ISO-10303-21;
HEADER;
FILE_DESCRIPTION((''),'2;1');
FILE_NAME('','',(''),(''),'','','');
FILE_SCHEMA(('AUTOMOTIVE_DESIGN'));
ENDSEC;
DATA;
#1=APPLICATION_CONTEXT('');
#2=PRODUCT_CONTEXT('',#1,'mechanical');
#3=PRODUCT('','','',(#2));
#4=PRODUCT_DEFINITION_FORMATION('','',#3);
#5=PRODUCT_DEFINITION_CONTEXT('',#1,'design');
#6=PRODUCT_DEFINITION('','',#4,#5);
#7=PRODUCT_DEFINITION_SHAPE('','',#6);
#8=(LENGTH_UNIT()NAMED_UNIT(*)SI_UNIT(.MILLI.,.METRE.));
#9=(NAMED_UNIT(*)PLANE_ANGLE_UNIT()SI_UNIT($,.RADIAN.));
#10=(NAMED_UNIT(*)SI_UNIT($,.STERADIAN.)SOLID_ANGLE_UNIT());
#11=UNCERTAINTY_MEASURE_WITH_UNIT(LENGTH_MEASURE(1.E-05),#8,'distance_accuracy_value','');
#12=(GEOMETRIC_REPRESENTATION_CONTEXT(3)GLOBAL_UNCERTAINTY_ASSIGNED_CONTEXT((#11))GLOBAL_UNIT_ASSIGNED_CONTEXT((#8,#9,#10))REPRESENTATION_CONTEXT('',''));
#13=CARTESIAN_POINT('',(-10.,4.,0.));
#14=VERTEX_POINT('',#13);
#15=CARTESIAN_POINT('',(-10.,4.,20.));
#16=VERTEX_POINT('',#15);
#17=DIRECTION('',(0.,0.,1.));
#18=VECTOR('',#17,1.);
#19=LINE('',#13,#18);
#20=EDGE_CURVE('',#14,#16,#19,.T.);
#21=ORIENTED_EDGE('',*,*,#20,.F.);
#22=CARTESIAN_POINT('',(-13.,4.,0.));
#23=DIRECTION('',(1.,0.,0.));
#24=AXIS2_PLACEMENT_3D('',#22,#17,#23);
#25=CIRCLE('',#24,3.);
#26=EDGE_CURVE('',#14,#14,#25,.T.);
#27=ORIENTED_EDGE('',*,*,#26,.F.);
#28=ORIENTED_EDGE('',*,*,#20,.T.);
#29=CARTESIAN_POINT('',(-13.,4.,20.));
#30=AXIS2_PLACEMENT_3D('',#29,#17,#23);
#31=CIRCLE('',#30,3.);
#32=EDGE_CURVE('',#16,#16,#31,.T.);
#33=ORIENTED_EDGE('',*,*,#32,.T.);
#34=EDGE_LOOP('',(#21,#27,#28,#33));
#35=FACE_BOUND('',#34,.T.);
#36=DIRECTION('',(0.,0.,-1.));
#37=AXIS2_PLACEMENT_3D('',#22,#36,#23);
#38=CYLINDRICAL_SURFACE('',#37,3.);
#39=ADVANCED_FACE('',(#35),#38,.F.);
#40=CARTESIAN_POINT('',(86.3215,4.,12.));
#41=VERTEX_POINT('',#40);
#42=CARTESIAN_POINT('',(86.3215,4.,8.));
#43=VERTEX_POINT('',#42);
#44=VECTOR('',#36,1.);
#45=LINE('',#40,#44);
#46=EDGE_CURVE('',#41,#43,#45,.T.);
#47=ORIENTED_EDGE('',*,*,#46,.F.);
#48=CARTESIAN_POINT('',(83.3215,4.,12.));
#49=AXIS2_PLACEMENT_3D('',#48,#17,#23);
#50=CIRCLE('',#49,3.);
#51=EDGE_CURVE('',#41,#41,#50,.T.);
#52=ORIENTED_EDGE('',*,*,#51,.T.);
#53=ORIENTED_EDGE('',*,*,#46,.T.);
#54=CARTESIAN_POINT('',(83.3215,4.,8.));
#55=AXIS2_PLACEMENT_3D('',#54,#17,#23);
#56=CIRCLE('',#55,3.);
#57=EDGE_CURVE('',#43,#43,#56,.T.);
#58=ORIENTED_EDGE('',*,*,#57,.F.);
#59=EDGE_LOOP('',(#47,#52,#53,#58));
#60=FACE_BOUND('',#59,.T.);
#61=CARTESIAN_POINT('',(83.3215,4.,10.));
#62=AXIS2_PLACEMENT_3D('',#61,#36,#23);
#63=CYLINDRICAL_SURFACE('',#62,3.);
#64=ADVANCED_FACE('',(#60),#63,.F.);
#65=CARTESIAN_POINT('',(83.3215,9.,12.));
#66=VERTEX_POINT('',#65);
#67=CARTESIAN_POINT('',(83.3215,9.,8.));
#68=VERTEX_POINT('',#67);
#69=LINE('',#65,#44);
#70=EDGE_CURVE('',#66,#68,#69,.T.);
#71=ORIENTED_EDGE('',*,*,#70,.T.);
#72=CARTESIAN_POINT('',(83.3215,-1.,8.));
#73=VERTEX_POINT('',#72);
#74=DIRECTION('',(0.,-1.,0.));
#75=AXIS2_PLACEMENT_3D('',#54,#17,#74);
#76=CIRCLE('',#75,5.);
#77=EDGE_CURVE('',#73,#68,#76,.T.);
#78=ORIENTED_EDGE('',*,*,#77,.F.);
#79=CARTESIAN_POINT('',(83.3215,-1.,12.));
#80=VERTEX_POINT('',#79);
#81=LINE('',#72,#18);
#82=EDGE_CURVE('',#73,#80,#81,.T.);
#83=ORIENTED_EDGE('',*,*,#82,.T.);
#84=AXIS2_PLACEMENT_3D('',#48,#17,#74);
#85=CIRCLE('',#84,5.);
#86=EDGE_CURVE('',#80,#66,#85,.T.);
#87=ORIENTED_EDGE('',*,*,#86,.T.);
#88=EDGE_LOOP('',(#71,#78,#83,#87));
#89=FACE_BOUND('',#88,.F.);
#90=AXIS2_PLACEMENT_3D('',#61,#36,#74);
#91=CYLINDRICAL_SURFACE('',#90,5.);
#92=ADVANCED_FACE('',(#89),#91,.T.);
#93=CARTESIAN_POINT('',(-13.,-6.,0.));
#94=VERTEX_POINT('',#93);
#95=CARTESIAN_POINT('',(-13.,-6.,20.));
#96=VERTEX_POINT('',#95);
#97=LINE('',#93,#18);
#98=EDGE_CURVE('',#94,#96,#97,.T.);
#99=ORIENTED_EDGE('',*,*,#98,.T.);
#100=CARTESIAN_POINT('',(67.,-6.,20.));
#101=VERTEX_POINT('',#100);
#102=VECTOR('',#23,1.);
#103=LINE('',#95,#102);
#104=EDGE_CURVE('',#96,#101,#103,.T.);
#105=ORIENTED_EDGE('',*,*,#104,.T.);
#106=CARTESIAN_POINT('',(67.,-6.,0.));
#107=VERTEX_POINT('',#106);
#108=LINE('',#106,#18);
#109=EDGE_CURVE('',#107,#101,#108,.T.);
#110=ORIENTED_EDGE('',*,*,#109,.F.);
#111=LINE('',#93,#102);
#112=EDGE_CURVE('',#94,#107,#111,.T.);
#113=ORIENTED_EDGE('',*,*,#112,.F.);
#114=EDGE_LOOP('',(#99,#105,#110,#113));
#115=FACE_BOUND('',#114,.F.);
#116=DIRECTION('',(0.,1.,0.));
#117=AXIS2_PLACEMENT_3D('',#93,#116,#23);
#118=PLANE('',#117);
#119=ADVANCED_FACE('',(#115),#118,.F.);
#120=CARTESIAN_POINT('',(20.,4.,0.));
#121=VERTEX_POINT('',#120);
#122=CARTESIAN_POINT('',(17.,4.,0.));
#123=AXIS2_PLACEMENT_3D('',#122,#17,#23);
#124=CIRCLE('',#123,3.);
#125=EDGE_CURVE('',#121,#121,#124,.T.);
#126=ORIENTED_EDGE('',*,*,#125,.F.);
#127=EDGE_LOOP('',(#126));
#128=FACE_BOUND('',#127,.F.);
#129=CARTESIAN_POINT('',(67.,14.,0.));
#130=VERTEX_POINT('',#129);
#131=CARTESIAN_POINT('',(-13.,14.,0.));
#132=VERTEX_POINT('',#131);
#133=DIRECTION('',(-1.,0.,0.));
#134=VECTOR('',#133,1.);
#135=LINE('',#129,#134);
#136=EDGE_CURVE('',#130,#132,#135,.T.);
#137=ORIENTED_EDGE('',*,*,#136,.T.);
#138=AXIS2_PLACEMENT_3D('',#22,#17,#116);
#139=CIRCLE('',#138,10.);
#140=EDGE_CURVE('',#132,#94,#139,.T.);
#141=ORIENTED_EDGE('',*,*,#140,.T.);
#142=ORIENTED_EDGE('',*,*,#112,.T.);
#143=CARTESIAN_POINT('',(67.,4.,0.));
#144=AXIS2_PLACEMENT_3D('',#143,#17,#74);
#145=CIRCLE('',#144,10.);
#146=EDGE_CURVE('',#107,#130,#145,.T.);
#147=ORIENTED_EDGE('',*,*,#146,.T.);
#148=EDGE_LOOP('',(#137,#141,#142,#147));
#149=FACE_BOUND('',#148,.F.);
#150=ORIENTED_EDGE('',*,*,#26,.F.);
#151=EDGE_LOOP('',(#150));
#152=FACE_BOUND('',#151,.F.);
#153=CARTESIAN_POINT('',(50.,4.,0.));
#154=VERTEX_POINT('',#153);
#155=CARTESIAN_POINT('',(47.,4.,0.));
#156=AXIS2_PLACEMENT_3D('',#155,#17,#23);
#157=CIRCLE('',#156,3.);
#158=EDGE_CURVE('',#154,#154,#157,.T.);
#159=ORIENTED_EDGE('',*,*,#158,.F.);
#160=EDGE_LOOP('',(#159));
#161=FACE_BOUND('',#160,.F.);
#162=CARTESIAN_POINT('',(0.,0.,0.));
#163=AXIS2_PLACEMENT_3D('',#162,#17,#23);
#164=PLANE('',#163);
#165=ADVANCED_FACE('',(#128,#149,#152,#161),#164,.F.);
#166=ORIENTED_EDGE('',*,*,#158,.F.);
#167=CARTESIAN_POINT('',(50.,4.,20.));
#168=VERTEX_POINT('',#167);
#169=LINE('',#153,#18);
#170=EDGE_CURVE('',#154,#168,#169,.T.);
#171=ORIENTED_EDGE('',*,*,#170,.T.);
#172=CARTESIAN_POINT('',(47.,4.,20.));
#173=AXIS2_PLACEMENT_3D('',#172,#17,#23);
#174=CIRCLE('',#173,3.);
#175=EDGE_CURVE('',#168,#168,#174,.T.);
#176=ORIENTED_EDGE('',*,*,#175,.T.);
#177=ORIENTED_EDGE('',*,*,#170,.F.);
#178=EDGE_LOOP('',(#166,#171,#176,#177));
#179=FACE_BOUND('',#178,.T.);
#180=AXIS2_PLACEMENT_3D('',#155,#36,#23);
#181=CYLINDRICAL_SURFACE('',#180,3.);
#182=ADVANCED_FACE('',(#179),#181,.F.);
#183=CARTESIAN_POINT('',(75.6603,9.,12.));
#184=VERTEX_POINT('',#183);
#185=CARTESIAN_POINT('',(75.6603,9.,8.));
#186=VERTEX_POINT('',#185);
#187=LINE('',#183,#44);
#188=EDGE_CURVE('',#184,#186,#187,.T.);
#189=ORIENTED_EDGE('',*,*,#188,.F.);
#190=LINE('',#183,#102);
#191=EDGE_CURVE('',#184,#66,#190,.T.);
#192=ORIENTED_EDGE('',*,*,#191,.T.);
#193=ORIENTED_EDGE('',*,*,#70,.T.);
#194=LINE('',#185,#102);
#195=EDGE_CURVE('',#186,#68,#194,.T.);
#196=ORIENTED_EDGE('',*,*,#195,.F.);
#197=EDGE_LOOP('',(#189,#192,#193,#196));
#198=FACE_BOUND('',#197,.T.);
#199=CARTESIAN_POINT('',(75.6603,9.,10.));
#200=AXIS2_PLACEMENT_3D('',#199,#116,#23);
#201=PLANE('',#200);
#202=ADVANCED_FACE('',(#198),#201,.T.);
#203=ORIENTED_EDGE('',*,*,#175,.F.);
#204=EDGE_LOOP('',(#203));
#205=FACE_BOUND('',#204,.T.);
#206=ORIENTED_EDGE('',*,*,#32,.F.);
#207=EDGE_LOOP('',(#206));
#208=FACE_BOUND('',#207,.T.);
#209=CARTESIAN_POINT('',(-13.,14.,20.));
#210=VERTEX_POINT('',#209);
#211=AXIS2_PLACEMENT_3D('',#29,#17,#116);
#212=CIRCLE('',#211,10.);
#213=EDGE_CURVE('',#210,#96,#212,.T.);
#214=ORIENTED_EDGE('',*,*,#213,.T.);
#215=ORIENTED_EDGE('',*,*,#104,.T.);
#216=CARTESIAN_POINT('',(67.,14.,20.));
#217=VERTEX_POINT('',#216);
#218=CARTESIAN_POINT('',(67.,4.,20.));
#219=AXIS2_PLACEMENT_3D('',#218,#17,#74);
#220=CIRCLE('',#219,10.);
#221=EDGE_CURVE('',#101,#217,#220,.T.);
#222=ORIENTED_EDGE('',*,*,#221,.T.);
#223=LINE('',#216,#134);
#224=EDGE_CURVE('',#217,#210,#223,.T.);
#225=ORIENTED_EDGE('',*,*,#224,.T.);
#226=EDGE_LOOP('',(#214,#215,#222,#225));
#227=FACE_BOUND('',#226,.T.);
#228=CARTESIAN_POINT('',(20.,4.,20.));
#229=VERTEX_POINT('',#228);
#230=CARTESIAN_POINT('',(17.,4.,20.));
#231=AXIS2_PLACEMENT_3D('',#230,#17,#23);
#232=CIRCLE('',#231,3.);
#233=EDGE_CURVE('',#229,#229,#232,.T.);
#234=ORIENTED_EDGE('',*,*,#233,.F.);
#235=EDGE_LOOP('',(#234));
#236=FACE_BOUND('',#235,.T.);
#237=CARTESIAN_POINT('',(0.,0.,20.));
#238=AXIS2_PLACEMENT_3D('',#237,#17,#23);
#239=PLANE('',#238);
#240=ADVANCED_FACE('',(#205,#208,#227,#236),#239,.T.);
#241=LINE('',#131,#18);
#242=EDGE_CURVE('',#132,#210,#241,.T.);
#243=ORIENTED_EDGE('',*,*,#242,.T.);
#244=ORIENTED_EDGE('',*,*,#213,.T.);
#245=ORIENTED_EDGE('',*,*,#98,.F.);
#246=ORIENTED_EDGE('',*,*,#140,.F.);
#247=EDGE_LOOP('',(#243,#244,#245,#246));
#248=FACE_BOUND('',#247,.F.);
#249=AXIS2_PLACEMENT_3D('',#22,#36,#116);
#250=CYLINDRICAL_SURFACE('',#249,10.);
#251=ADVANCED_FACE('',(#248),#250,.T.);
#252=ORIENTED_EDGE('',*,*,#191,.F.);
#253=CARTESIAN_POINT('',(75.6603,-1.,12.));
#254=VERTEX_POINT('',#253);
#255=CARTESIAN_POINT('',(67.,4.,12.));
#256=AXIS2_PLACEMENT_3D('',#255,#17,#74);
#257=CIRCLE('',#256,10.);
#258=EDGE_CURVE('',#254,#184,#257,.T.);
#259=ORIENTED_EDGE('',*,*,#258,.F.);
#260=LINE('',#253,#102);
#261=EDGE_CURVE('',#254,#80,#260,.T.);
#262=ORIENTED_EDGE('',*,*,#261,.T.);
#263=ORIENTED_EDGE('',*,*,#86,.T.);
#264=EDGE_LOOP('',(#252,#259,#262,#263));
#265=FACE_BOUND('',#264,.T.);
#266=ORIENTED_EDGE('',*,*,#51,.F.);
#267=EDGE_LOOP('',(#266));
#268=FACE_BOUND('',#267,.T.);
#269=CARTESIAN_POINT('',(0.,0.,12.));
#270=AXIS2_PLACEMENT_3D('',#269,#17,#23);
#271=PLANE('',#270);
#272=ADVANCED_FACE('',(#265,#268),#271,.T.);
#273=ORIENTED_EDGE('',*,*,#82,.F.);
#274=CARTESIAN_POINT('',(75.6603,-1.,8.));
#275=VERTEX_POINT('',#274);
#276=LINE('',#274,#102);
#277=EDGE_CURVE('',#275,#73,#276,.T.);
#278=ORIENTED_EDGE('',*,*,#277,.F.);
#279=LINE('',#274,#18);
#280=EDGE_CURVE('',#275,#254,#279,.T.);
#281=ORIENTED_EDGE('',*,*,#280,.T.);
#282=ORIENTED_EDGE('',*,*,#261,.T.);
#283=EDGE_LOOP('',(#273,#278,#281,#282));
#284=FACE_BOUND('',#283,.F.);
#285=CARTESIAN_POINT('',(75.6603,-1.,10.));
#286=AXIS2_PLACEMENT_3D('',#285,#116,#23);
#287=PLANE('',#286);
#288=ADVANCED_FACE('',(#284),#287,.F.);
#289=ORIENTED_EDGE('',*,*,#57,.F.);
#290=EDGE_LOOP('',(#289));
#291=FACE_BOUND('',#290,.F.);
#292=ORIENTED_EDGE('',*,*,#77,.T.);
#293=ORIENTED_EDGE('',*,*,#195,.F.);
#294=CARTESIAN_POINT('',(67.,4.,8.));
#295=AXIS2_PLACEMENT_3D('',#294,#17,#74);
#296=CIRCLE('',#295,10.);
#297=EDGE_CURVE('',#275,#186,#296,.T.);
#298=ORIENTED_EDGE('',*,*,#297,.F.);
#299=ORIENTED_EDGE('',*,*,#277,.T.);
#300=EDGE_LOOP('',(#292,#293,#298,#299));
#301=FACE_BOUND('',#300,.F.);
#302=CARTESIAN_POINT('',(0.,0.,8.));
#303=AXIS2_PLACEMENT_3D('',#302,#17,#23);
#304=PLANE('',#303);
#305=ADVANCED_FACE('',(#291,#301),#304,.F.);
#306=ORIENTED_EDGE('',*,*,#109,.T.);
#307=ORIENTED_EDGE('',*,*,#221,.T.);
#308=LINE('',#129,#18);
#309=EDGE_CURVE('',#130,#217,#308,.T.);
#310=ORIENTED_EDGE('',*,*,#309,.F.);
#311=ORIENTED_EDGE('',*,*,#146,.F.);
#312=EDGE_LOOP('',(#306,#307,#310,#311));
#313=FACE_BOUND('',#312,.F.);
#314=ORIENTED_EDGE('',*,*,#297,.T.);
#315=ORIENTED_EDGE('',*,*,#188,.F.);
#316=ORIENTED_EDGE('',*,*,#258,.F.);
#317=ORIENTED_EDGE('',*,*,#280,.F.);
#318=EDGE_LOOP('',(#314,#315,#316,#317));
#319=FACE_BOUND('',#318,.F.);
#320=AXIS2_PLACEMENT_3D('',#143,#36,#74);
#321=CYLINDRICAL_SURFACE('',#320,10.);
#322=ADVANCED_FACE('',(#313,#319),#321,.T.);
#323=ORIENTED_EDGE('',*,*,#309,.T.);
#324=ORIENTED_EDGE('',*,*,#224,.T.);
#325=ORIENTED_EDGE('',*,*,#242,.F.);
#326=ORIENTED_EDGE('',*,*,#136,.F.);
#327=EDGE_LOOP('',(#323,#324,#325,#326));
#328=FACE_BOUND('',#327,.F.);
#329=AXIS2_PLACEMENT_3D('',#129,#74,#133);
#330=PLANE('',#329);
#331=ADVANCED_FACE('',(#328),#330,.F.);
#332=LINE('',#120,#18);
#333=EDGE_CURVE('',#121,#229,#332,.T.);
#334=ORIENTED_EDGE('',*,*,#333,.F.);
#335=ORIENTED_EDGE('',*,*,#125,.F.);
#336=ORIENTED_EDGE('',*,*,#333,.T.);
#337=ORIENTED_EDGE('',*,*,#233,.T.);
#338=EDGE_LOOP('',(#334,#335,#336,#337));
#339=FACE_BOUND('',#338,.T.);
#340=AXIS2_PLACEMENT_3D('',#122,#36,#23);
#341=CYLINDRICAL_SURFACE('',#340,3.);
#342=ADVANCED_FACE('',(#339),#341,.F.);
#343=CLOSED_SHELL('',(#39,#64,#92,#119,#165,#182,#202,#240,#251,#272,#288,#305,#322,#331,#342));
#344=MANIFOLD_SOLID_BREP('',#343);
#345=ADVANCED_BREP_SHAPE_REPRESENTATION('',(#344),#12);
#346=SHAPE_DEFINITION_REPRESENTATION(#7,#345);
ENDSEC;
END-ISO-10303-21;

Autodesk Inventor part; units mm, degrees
ref_plane "YZ Plane" through (0, 0, 0) normal (1, 0, 0) x (0, 1, 0)
ref_plane "XZ Plane" through (0, 0, 0) normal (0, 1, 0) x (-1, 0, 0)
sketch "Sketch1" plane through (0, 0, 0) normal (0, 0, 1) x (1, 0, 0)
  line L0 (-13, 4) -> (67, 4) construction
  line L1 (-13, -6) -> (67, -6)
  line L2 (67, 14) -> (-13, 14)
  arc A0 (-13, 14) -> (-13, -6) centre (-13, 4) ccw
  arc A1 (67, -6) -> (67, 14) centre (67, 4) ccw
  circle A2 centre (-13, 4) radius 3
  circle A3 centre (17, 4) radius 3
  circle A4 centre (47, 4) radius 3
  point P0 (0, 0)
  point P1 (27, 4)
  dimension "d0" = 20
  dimension "d16" = 30
  dimension "d17" = 30
  dimension "d18" = 80
extrude "Extrusion1" add sketch "Sketch1" along normal blind 20
ref_plane "Work Plane1" through (0, 0, 10) normal (0, 0, 1) x (1, 0, 0)
sketch "Sketch2" plane through (0, 0, 10) normal (0, 0, 1) x (1, 0, 0)
  arc A0 (67, -6) -> (67, 14) centre (67, 4) ccw projected
  line L0 (67, 14) -> (-13, 14) projected
  arc A1 (-13, 14) -> (-13, -6) centre (-13, 4) ccw projected
  line L1 (-13, -6) -> (67, -6) projected
  arc A2 (67, -6) -> (67, 14) centre (67, 4) ccw projected
  line L2 (65.0126, 4) -> (84.0126, 4) construction
  line L3 (75.6603, 9) -> (83.3215, 9)
  arc A3 (83.3215, -1) -> (83.3215, 9) centre (83.3215, 4) ccw
  line L4 (75.6603, -1) -> (83.3215, -1)
  circle A4 centre (83.3215, 4) radius 3
  point P0 (0, 0)
  point P1 (75.6603, -1)
  dimension "d8" = 10
  dimension "d9" = 6
extrude "Extrusion2" add sketch "Sketch2" along normal mid plane 4 contours A0 L3 A3 L4
equation "\"d6\" = w"
equation "\"d8\" = R"
equation "\"d9\" = r"
equation "\"d10\" = 0.2 * w"
equation "\"r\" = 6"
equation "\"d3\" = 6"
equation "\"d5\" = 6"
equation "\"th\" = 5"
equation "\"R\" = 10"
equation "\"w\" = 20"
